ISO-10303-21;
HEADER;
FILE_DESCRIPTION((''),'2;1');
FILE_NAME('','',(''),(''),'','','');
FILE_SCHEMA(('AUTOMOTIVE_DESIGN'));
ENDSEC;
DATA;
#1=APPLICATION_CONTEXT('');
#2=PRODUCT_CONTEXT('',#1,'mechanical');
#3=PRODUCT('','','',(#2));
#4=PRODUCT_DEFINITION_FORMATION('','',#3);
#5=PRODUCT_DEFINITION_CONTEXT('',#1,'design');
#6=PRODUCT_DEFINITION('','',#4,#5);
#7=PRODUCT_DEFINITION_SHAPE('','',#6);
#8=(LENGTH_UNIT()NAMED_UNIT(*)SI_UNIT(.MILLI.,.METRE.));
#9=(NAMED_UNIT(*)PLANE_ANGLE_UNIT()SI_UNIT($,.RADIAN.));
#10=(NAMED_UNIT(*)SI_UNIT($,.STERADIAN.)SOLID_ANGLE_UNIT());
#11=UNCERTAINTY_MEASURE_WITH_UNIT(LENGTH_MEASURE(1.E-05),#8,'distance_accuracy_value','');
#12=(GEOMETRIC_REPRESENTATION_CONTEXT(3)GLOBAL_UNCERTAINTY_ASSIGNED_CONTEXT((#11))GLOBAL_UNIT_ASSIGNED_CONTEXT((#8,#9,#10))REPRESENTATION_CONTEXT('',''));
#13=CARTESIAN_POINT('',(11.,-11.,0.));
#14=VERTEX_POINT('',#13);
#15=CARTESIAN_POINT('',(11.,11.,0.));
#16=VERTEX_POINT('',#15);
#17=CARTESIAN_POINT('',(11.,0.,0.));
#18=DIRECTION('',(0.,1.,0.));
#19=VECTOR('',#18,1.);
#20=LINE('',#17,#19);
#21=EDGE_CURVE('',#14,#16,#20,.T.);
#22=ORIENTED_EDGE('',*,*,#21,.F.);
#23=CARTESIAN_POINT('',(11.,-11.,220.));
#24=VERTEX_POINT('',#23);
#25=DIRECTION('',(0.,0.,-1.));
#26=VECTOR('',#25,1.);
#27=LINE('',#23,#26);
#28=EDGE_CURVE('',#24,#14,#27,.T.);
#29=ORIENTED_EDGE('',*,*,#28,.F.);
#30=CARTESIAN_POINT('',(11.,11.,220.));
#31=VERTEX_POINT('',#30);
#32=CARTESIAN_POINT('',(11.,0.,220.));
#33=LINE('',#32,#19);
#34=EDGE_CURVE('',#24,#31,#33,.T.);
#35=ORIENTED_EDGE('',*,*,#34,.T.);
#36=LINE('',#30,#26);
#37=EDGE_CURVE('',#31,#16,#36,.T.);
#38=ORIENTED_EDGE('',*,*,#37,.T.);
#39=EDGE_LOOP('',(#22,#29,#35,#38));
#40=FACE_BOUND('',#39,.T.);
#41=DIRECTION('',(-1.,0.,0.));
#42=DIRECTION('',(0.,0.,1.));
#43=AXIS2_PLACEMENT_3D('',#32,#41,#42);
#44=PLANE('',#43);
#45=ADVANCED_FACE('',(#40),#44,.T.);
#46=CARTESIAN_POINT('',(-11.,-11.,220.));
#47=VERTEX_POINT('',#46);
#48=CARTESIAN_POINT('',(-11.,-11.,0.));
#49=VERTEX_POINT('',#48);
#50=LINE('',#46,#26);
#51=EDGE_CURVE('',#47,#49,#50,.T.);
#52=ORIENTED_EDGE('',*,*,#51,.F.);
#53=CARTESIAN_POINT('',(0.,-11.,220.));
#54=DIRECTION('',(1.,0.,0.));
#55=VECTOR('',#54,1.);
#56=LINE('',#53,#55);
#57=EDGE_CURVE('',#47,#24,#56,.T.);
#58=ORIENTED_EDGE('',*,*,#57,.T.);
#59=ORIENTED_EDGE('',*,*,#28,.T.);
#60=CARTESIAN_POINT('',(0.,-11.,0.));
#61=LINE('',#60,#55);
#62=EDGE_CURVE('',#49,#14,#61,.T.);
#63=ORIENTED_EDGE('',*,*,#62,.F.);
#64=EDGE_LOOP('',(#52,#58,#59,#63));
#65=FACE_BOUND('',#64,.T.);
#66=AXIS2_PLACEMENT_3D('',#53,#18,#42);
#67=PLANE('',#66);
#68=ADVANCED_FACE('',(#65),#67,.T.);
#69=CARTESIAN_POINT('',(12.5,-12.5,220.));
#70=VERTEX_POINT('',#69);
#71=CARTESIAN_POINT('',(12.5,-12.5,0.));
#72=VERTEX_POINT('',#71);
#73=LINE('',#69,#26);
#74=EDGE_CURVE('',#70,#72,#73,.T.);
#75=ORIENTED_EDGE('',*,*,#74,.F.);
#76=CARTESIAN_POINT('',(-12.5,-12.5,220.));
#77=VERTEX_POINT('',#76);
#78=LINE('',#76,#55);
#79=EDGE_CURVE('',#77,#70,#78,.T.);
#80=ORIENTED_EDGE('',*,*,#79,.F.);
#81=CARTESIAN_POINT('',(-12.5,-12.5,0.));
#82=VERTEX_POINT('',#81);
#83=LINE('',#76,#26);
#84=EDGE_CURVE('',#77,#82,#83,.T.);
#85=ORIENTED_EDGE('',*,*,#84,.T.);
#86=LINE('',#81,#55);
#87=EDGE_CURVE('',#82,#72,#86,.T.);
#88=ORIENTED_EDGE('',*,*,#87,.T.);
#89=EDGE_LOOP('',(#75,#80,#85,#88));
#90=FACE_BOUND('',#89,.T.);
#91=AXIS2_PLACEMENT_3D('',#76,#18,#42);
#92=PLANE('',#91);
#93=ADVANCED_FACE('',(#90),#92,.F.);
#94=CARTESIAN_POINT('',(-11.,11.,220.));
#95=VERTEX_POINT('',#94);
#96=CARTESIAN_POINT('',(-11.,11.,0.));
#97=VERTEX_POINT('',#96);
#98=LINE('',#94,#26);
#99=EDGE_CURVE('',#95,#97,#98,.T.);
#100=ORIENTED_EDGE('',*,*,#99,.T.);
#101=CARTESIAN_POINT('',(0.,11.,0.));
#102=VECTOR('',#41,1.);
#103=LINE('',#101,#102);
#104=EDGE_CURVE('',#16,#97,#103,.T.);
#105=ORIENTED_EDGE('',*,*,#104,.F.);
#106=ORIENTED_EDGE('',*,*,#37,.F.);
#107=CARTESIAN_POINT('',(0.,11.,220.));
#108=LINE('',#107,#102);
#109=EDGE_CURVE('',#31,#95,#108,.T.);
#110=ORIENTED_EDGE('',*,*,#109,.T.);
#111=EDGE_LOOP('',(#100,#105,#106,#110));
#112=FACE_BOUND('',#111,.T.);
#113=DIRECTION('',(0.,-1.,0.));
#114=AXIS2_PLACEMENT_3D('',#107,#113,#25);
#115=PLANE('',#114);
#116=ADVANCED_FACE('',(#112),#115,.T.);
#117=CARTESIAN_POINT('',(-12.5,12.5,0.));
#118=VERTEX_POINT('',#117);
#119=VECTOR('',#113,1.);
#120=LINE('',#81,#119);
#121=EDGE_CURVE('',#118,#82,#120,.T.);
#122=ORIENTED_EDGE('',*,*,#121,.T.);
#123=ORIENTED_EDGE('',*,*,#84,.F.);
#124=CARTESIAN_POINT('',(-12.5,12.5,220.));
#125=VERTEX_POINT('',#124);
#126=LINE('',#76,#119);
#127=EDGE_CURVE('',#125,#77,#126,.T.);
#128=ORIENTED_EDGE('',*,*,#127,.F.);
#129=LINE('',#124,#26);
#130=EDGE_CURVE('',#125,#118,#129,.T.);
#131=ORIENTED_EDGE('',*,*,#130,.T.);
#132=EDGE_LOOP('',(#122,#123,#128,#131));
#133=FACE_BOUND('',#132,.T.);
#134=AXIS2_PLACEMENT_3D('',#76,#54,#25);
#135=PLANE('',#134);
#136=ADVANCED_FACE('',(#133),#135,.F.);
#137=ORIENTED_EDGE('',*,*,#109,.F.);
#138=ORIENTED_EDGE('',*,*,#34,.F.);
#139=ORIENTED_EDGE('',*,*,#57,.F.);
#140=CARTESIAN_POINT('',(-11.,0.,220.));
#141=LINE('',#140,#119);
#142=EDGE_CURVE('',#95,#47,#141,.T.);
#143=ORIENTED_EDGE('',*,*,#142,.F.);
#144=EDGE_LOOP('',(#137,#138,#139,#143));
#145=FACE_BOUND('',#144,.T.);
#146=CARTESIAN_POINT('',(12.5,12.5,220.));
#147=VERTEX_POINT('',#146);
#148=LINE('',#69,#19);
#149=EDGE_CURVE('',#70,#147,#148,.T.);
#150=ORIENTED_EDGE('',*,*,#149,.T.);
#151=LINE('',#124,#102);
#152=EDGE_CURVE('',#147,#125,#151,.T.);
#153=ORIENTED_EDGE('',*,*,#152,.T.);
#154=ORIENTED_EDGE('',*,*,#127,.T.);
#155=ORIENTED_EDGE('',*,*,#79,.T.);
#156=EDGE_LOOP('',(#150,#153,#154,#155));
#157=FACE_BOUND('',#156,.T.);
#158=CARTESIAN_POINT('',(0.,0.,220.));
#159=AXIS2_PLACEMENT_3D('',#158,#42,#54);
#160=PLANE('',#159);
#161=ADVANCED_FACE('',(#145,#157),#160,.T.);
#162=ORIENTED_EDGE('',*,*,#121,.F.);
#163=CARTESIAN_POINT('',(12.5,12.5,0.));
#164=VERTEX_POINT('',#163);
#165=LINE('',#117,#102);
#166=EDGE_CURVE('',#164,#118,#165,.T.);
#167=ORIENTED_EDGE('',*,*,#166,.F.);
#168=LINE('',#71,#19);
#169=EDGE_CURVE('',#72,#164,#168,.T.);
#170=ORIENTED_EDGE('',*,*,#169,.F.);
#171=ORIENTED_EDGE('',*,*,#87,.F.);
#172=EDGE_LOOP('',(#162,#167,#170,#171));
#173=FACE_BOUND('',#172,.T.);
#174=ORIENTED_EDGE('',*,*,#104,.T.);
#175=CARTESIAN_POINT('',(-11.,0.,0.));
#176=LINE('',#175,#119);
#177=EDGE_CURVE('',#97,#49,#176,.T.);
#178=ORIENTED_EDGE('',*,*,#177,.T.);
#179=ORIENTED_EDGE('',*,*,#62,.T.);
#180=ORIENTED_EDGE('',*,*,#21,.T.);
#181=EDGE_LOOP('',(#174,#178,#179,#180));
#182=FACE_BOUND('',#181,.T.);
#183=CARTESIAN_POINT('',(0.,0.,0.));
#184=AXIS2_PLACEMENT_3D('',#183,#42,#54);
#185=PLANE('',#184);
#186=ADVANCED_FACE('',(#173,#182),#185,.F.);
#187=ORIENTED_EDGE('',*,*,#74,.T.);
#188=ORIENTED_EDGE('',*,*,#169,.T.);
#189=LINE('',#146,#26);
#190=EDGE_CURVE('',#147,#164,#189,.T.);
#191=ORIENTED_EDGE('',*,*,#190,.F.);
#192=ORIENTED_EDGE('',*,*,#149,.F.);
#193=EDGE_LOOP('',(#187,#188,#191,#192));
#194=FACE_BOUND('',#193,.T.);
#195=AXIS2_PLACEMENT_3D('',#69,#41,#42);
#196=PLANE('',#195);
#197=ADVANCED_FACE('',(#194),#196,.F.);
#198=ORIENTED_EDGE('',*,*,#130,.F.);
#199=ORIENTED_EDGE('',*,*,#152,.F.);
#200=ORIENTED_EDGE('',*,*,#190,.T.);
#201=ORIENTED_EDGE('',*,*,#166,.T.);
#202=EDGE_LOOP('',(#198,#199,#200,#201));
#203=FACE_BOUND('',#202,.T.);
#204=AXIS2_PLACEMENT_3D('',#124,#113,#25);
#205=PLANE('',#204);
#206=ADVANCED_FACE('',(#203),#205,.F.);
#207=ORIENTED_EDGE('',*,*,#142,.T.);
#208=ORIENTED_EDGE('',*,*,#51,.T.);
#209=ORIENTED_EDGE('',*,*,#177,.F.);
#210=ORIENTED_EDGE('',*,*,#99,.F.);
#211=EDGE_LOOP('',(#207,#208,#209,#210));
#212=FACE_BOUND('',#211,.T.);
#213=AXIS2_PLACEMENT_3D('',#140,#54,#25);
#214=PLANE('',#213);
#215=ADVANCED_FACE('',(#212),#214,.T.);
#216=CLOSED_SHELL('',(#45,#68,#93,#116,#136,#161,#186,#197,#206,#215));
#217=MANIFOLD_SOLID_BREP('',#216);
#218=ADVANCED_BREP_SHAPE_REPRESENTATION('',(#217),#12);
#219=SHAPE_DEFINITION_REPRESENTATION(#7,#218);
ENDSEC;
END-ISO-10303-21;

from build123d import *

# Parameters (mm, degrees)
SKETCH_1_W      = 25
SKETCH_1_H      = 25
SKETCH_1_W_2    = 22
SKETCH_1_H_2    = 22
EXTRUDE_1_DEPTH = 220


with BuildPart() as part:
    # Эскиз1 → Вытянуть-Тонкостенный1 (new body)
    with BuildSketch(Plane.XY):
        Rectangle(SKETCH_1_W, SKETCH_1_H)
        Rectangle(SKETCH_1_W_2, SKETCH_1_H_2, mode=Mode.SUBTRACT)
    extrude(amount=EXTRUDE_1_DEPTH)


solid = part.part
